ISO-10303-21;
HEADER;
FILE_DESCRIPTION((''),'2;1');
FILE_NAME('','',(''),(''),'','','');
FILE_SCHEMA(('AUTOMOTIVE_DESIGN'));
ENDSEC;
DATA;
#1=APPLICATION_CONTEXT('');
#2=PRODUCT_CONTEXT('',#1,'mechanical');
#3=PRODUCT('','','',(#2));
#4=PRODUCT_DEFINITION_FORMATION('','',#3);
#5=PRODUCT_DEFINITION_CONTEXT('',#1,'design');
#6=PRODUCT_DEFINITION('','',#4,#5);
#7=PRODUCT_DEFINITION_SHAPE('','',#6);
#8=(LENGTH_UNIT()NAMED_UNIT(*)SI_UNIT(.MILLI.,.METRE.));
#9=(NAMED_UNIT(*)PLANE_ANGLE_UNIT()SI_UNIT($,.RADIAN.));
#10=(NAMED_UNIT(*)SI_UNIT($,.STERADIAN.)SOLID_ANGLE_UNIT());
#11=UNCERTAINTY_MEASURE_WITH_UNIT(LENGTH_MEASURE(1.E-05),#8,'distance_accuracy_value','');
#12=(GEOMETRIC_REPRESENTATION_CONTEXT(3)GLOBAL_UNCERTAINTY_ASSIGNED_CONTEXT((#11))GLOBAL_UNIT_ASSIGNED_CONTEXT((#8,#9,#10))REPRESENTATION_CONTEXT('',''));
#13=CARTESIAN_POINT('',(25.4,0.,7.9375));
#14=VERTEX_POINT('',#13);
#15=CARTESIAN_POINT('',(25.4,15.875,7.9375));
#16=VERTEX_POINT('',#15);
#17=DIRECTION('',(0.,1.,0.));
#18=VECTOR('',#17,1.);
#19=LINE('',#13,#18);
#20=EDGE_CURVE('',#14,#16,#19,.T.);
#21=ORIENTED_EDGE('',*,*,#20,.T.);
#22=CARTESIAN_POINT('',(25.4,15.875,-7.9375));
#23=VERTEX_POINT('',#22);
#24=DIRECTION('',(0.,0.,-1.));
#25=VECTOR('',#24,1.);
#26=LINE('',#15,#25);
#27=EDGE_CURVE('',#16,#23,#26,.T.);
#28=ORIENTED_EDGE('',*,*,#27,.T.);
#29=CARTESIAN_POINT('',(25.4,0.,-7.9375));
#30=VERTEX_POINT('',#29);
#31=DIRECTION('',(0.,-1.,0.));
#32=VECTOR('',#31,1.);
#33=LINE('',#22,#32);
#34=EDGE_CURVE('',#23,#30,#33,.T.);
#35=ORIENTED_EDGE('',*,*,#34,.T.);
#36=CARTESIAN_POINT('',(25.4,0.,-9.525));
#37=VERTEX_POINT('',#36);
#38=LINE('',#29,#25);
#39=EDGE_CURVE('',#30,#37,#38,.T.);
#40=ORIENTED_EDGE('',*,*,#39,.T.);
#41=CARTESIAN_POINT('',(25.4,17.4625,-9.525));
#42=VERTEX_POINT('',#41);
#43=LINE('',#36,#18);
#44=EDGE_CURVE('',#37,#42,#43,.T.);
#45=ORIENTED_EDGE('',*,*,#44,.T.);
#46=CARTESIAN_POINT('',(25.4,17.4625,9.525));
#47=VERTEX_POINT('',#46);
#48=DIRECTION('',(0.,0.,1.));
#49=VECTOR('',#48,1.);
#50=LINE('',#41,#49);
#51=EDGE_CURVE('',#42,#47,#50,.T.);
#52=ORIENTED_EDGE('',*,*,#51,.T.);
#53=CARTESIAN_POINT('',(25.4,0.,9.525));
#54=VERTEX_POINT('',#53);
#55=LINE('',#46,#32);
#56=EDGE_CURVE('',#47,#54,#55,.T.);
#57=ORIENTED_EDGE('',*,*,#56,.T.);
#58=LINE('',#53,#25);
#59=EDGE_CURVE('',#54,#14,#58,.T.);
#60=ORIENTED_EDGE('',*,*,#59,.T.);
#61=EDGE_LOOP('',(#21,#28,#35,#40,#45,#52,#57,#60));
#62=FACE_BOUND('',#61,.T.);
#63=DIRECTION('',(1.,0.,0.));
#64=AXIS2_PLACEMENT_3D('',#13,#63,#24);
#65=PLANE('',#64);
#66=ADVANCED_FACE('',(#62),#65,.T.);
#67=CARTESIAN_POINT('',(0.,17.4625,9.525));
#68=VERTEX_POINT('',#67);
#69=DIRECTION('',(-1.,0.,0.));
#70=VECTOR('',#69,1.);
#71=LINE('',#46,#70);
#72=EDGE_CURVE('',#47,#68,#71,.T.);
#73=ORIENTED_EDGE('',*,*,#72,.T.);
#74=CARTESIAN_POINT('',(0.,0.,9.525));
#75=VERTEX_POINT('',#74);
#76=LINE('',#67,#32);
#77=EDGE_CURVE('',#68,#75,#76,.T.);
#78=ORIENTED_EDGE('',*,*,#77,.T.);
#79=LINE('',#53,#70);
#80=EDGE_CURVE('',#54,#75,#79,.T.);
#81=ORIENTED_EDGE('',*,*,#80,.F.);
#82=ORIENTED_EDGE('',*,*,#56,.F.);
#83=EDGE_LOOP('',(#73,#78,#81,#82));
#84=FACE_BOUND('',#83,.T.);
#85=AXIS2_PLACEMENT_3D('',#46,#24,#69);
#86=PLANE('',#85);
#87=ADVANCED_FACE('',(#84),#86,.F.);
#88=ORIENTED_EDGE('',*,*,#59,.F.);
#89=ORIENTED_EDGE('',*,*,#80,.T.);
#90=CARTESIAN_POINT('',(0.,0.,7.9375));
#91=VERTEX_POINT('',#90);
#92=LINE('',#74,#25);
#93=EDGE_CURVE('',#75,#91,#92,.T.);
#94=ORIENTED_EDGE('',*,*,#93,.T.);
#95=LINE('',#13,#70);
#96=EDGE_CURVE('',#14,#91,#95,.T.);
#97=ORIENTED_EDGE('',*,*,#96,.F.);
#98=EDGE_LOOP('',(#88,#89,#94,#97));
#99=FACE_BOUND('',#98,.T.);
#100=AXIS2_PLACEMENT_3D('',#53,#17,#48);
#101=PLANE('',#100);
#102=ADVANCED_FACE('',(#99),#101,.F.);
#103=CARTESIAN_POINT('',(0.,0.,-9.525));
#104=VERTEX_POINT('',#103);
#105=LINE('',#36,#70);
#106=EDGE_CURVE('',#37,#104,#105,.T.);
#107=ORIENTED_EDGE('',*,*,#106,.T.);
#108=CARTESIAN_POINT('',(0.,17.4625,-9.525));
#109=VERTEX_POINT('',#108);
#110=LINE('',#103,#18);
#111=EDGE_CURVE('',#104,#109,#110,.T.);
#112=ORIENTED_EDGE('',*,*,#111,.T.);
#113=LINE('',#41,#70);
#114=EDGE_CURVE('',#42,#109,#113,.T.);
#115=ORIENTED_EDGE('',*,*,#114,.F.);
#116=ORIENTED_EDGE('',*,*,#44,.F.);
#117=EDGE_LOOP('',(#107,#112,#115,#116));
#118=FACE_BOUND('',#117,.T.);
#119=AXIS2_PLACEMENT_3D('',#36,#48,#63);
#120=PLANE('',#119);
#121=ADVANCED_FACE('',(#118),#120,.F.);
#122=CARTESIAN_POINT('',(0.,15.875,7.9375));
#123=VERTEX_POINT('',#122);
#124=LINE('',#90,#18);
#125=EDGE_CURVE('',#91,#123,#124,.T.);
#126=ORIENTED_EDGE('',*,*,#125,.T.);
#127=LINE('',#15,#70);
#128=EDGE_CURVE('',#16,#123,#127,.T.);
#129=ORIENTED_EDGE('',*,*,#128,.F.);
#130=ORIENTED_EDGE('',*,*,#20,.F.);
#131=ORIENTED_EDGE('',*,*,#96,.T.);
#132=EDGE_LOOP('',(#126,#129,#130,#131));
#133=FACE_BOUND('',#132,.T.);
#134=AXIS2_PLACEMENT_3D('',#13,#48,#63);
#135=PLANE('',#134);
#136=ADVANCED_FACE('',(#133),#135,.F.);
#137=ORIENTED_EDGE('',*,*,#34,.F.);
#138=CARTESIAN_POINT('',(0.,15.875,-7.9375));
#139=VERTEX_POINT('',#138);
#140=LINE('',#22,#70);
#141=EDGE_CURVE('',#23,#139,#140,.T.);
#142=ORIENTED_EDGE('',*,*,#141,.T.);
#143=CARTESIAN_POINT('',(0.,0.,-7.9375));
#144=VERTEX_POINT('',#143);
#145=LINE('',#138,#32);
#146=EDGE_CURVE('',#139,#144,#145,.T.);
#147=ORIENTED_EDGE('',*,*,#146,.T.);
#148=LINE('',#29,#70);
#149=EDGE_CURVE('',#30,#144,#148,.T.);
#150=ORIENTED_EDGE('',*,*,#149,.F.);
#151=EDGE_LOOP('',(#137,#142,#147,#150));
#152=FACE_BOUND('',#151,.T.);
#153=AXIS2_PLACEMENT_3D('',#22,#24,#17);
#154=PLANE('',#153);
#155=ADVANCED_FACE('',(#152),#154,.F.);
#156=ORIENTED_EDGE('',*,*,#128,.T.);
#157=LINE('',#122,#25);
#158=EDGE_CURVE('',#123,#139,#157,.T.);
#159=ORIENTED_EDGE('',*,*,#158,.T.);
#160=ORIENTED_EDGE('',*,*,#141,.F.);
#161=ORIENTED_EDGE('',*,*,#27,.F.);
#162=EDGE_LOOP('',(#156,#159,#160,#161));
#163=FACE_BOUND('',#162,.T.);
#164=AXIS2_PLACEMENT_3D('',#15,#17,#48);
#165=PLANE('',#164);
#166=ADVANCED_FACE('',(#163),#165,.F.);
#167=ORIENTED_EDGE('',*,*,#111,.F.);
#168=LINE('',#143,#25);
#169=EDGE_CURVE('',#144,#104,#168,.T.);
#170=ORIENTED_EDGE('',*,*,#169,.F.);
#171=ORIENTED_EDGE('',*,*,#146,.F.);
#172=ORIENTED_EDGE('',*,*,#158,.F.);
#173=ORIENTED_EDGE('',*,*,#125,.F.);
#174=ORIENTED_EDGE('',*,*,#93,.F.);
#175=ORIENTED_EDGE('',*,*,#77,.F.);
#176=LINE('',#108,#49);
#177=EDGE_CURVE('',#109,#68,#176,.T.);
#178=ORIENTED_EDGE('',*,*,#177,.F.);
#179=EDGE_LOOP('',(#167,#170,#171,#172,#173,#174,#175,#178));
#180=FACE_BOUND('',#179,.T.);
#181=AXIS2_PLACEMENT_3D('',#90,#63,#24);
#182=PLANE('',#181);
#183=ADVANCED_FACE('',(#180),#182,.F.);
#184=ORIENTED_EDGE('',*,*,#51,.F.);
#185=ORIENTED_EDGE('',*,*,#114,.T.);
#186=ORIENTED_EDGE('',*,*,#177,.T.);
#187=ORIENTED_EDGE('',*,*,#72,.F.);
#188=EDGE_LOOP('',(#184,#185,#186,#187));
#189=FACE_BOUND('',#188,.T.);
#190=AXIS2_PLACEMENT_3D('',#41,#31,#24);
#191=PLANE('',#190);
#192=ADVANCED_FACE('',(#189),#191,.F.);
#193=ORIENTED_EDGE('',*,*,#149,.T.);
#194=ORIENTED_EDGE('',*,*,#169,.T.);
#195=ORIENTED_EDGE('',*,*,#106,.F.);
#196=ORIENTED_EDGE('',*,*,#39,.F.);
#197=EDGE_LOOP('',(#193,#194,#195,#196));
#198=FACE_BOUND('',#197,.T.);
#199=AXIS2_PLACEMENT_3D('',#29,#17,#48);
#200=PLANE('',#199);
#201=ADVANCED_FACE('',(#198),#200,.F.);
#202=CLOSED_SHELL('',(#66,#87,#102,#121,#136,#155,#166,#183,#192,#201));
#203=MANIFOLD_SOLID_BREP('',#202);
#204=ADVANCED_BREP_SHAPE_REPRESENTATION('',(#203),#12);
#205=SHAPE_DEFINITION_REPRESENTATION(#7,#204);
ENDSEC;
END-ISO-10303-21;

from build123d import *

# Parameters (mm, degrees)
EXTRUDE1_DEPTH = 25.4


with BuildPart() as part:
    # Sketch1 → Extrude1 (new body)
    with BuildSketch(Plane(origin=(0, 0, 0), x_dir=(0, 0, -1), z_dir=(1, 0, 0))):
        Polygon((-7.9375, 0), (-7.9375, 15.875), (7.9375, 15.875), (7.9375, 0), (9.525, 0), (9.525, 17.4625), (-9.525, 17.4625), (-9.525, 0), align=None)
    extrude(amount=EXTRUDE1_DEPTH)


solid = part.part
